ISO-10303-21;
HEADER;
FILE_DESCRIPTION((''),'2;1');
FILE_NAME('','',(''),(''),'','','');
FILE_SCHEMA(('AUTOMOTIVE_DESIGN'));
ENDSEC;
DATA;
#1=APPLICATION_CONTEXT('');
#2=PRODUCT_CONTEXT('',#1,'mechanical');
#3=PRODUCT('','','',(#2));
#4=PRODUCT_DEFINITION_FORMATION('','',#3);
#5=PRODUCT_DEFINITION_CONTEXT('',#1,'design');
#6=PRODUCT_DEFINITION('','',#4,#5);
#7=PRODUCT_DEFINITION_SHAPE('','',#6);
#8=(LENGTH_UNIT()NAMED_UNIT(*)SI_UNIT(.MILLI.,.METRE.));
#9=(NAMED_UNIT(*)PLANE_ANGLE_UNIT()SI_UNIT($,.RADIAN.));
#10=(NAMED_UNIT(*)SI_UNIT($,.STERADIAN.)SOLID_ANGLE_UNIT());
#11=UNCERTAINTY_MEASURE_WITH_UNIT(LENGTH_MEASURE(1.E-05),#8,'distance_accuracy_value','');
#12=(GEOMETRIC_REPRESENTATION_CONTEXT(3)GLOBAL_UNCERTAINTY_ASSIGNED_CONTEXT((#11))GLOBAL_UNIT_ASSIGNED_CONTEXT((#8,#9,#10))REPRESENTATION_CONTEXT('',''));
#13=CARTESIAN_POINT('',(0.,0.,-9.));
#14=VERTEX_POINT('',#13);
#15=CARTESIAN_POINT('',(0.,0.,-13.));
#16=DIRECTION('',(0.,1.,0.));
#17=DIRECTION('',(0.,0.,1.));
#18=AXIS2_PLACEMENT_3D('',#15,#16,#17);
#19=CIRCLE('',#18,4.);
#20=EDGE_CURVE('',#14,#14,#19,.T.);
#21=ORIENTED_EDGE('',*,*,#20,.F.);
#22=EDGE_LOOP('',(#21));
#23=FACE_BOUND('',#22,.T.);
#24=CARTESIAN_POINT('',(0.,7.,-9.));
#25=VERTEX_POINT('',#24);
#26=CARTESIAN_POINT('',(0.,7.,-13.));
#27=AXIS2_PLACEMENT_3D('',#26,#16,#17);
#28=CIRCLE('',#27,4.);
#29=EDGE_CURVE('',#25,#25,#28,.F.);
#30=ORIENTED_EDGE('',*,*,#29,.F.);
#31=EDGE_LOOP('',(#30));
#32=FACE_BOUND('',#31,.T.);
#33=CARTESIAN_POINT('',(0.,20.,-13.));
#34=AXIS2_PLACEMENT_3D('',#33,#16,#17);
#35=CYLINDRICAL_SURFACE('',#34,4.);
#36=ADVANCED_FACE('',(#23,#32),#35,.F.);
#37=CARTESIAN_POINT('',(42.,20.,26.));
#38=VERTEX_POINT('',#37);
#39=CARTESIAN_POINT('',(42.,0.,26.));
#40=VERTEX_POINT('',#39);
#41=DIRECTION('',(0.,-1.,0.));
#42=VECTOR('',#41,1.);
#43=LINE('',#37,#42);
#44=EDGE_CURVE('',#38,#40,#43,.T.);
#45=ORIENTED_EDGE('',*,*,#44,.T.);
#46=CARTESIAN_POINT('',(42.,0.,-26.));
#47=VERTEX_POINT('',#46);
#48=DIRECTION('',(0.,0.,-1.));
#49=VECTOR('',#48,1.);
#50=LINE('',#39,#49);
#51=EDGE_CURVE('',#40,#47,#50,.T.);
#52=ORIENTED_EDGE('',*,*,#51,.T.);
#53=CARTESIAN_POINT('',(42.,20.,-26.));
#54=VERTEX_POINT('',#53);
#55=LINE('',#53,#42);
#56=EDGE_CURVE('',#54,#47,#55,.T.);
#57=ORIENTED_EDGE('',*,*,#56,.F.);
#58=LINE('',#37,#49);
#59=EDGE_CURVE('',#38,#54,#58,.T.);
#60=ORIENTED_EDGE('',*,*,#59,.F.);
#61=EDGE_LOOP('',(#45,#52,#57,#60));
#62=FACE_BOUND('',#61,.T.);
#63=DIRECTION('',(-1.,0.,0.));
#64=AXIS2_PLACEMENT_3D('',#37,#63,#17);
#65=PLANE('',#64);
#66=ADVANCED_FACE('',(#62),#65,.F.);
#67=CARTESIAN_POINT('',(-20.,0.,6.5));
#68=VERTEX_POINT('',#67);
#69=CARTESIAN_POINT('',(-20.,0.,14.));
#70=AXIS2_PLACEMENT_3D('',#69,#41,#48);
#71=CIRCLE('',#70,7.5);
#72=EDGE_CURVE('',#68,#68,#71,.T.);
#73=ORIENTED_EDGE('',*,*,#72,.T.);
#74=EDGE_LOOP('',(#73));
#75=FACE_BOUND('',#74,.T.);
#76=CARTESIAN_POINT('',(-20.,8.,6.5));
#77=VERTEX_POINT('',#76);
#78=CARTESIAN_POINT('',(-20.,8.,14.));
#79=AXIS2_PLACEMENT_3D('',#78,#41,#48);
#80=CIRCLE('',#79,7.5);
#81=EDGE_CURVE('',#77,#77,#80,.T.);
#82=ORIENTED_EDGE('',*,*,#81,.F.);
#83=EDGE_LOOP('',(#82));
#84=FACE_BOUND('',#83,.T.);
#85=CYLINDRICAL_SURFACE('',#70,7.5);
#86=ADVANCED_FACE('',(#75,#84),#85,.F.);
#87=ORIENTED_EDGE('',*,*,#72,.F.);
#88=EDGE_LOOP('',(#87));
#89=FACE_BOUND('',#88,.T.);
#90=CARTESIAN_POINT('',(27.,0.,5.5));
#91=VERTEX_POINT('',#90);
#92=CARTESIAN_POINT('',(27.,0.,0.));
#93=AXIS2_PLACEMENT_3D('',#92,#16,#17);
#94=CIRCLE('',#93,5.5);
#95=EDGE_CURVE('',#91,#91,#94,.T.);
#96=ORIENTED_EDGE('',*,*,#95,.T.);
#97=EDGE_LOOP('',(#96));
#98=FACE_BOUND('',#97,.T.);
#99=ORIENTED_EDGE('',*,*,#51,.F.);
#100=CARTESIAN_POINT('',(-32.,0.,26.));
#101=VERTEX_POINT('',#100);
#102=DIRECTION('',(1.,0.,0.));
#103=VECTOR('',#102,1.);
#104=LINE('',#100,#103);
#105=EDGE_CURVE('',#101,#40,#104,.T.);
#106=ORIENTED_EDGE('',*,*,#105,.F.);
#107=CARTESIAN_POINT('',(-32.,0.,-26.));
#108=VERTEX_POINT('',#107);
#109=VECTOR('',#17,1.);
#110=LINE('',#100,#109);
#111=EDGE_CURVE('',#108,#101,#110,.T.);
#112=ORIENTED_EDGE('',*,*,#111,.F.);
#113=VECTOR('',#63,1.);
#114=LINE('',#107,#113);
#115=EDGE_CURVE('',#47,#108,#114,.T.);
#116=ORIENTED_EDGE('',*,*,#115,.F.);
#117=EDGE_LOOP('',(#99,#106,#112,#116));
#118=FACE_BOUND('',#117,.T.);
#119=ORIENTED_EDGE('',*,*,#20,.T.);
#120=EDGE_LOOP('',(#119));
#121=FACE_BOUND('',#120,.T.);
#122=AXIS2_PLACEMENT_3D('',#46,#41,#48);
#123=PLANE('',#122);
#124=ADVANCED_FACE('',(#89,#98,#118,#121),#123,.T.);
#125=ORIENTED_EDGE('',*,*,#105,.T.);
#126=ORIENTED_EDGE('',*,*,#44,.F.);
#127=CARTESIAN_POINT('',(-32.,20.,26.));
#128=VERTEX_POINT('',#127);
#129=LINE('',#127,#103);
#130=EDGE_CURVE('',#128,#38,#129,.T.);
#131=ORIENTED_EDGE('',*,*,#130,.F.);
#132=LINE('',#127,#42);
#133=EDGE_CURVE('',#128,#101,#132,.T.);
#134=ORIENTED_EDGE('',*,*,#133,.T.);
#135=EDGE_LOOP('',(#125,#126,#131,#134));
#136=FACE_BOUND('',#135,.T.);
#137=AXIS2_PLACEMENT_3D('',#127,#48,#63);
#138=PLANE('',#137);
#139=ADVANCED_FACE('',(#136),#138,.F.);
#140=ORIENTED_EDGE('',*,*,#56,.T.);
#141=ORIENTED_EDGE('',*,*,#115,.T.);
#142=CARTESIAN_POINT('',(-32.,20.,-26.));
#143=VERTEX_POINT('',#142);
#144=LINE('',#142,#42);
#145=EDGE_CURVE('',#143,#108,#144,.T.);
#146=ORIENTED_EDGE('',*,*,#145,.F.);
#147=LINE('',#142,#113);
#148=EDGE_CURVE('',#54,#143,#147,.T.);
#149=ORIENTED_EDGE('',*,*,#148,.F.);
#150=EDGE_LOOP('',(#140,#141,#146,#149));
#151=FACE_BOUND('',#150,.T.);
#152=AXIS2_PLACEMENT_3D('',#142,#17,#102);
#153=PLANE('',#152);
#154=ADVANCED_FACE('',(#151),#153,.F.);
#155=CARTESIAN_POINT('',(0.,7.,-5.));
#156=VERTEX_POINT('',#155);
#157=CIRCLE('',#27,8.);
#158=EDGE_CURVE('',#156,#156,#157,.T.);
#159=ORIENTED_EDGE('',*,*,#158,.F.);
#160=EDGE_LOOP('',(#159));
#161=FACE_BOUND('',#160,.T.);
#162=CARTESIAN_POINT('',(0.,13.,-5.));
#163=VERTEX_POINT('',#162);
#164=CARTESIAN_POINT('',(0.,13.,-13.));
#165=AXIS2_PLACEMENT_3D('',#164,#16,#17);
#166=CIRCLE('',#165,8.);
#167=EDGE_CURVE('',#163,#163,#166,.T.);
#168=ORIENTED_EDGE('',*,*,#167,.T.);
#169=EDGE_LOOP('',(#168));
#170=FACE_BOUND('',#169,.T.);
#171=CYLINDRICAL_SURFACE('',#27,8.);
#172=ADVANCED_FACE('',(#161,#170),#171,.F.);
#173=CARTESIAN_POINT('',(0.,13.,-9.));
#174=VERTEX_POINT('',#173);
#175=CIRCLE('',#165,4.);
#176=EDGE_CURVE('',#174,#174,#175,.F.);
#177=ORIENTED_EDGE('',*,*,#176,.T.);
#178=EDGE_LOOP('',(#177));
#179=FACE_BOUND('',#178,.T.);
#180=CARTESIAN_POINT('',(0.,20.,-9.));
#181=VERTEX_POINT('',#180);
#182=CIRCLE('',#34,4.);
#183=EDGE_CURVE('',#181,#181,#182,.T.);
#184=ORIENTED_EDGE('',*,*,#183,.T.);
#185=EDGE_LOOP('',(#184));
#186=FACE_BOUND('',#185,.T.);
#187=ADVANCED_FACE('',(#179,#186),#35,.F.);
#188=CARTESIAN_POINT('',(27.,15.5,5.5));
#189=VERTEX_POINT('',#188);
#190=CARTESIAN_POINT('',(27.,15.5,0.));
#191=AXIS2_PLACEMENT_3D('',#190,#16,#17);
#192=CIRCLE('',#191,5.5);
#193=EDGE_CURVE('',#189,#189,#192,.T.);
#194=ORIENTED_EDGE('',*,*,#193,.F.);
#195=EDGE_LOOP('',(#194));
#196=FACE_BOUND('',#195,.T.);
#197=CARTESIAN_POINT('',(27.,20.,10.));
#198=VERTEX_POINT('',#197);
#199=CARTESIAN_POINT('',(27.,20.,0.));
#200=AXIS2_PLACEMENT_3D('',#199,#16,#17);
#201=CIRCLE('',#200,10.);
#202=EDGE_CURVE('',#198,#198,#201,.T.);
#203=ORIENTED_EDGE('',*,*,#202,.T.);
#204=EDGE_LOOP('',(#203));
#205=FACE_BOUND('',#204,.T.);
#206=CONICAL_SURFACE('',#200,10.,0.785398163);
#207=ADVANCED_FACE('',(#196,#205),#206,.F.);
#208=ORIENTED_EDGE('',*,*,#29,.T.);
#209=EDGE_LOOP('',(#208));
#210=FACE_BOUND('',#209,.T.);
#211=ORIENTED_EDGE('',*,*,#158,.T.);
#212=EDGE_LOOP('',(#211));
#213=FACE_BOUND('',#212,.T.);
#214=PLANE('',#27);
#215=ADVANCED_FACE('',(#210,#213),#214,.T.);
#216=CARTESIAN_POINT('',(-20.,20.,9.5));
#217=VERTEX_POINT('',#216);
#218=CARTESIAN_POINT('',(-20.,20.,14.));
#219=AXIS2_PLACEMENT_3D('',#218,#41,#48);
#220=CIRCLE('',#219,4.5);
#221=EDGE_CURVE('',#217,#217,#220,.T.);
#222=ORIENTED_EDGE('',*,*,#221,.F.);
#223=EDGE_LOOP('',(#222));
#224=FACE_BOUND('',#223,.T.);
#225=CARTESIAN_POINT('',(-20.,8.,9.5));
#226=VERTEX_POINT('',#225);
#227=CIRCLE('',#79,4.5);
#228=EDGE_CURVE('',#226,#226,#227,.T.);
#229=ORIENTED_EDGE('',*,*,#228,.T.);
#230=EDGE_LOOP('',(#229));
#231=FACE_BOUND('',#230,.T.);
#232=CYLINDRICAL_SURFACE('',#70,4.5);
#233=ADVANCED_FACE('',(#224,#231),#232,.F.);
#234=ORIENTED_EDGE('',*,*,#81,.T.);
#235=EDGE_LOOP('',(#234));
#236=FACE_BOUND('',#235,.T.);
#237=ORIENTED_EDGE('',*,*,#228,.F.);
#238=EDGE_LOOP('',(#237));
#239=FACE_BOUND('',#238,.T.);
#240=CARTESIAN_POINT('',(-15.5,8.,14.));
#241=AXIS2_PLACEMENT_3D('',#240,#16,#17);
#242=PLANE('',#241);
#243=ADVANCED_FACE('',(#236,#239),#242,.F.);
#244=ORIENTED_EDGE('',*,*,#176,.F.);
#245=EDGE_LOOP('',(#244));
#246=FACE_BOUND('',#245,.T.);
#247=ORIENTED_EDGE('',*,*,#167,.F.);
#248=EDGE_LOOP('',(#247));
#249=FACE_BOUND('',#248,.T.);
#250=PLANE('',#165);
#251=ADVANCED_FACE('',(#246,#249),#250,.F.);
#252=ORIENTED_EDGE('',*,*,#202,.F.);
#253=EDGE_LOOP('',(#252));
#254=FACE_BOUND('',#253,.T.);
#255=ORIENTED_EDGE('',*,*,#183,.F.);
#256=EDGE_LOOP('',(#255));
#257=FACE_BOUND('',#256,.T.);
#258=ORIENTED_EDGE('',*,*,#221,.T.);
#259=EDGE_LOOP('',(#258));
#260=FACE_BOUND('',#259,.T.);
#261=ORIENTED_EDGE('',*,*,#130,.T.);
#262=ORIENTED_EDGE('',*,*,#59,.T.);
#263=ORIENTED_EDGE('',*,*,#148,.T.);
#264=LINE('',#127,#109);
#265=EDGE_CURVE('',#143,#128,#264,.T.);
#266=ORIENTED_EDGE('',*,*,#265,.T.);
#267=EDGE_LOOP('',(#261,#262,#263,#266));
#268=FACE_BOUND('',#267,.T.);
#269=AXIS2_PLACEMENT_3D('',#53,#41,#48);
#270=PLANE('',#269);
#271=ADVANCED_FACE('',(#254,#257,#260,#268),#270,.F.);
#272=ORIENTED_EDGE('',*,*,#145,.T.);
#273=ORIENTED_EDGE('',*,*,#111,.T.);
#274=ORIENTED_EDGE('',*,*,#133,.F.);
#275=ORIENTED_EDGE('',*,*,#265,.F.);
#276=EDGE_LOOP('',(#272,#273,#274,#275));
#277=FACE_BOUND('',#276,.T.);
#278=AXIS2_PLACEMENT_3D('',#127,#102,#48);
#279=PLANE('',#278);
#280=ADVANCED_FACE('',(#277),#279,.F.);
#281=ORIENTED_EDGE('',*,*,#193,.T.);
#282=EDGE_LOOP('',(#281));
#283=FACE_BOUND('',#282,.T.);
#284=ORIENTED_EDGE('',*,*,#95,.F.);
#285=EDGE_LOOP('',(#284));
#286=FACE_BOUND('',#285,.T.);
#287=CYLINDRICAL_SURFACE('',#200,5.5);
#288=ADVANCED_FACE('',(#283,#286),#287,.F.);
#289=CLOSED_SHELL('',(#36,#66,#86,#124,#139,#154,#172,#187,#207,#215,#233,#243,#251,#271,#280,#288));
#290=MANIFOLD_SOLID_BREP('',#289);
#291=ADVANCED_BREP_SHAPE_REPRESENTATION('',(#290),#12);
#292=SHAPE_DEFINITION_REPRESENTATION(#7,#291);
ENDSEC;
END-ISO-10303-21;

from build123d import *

# Parameters (mm, degrees)
SKETCH1_W                                        = 74
SKETCH1_H                                        = 52
EXTRUDE1_DEPTH                                   = 20
CSK_FOR_M10_FLAT_HEAD_MACHINE_SCREW1_D           = 11
CSK_FOR_M10_FLAT_HEAD_MACHINE_SCREW1_CSINK_D     = 20
CSK_FOR_M10_FLAT_HEAD_MACHINE_SCREW1_CSINK_ANGLE = 90
F_8_0_8_DIAMETER_HOLE1_D                         = 8
CBORE_FOR_M8_SHCS1_D                             = 9
CBORE_FOR_M8_SHCS1_CBORE_D                       = 15
CBORE_FOR_M8_SHCS1_CBORE_DEPTH                   = 8
SKETCH8_R                                        = 8
CUT_EXTRUDE1_DEPTH                               = 6


with BuildPart() as part:
    # Sketch1 → Extrude1 (new body)
    with BuildSketch(Plane(origin=(0, 0, 0), x_dir=(1, 0, 0), z_dir=(0, 1, 0))):
        with Locations((5, 0)):
            Rectangle(SKETCH1_W, SKETCH1_H)
    extrude(amount=EXTRUDE1_DEPTH)

    # CSK for M10 Flat Head Machine Screw1 (through all)
    with Locations(Plane(origin=(0, 20, 0), x_dir=(-1, 0, 0), z_dir=(0, 1, 0))):
        with Locations((-27, 0)):
            CounterSinkHole(CSK_FOR_M10_FLAT_HEAD_MACHINE_SCREW1_D / 2, CSK_FOR_M10_FLAT_HEAD_MACHINE_SCREW1_CSINK_D / 2, counter_sink_angle=CSK_FOR_M10_FLAT_HEAD_MACHINE_SCREW1_CSINK_ANGLE)

    # Ø8.0 (8) Diameter Hole1 (through all)
    with Locations(Plane(origin=(0, 20, 0), x_dir=(-1, 0, 0), z_dir=(0, 1, 0))):
        with Locations((0, -13)):
            Hole(F_8_0_8_DIAMETER_HOLE1_D / 2)

    # CBORE for M8 SHCS1 (through all)
    with Locations(Plane.XZ):
        with Locations((-20, 14)):
            CounterBoreHole(CBORE_FOR_M8_SHCS1_D / 2, CBORE_FOR_M8_SHCS1_CBORE_D / 2, CBORE_FOR_M8_SHCS1_CBORE_DEPTH)

    # Sketch8 → Cut-Extrude1 (cut)
    with BuildSketch(Plane(origin=(0, 13, 0), x_dir=(-1, 0, 0), z_dir=(0, 1, 0))):
        with Locations(Location((0, -13, 0), (0, 0, 90))):
            Circle(SKETCH8_R)
    extrude(amount=-CUT_EXTRUDE1_DEPTH, mode=Mode.SUBTRACT)


solid = part.part
